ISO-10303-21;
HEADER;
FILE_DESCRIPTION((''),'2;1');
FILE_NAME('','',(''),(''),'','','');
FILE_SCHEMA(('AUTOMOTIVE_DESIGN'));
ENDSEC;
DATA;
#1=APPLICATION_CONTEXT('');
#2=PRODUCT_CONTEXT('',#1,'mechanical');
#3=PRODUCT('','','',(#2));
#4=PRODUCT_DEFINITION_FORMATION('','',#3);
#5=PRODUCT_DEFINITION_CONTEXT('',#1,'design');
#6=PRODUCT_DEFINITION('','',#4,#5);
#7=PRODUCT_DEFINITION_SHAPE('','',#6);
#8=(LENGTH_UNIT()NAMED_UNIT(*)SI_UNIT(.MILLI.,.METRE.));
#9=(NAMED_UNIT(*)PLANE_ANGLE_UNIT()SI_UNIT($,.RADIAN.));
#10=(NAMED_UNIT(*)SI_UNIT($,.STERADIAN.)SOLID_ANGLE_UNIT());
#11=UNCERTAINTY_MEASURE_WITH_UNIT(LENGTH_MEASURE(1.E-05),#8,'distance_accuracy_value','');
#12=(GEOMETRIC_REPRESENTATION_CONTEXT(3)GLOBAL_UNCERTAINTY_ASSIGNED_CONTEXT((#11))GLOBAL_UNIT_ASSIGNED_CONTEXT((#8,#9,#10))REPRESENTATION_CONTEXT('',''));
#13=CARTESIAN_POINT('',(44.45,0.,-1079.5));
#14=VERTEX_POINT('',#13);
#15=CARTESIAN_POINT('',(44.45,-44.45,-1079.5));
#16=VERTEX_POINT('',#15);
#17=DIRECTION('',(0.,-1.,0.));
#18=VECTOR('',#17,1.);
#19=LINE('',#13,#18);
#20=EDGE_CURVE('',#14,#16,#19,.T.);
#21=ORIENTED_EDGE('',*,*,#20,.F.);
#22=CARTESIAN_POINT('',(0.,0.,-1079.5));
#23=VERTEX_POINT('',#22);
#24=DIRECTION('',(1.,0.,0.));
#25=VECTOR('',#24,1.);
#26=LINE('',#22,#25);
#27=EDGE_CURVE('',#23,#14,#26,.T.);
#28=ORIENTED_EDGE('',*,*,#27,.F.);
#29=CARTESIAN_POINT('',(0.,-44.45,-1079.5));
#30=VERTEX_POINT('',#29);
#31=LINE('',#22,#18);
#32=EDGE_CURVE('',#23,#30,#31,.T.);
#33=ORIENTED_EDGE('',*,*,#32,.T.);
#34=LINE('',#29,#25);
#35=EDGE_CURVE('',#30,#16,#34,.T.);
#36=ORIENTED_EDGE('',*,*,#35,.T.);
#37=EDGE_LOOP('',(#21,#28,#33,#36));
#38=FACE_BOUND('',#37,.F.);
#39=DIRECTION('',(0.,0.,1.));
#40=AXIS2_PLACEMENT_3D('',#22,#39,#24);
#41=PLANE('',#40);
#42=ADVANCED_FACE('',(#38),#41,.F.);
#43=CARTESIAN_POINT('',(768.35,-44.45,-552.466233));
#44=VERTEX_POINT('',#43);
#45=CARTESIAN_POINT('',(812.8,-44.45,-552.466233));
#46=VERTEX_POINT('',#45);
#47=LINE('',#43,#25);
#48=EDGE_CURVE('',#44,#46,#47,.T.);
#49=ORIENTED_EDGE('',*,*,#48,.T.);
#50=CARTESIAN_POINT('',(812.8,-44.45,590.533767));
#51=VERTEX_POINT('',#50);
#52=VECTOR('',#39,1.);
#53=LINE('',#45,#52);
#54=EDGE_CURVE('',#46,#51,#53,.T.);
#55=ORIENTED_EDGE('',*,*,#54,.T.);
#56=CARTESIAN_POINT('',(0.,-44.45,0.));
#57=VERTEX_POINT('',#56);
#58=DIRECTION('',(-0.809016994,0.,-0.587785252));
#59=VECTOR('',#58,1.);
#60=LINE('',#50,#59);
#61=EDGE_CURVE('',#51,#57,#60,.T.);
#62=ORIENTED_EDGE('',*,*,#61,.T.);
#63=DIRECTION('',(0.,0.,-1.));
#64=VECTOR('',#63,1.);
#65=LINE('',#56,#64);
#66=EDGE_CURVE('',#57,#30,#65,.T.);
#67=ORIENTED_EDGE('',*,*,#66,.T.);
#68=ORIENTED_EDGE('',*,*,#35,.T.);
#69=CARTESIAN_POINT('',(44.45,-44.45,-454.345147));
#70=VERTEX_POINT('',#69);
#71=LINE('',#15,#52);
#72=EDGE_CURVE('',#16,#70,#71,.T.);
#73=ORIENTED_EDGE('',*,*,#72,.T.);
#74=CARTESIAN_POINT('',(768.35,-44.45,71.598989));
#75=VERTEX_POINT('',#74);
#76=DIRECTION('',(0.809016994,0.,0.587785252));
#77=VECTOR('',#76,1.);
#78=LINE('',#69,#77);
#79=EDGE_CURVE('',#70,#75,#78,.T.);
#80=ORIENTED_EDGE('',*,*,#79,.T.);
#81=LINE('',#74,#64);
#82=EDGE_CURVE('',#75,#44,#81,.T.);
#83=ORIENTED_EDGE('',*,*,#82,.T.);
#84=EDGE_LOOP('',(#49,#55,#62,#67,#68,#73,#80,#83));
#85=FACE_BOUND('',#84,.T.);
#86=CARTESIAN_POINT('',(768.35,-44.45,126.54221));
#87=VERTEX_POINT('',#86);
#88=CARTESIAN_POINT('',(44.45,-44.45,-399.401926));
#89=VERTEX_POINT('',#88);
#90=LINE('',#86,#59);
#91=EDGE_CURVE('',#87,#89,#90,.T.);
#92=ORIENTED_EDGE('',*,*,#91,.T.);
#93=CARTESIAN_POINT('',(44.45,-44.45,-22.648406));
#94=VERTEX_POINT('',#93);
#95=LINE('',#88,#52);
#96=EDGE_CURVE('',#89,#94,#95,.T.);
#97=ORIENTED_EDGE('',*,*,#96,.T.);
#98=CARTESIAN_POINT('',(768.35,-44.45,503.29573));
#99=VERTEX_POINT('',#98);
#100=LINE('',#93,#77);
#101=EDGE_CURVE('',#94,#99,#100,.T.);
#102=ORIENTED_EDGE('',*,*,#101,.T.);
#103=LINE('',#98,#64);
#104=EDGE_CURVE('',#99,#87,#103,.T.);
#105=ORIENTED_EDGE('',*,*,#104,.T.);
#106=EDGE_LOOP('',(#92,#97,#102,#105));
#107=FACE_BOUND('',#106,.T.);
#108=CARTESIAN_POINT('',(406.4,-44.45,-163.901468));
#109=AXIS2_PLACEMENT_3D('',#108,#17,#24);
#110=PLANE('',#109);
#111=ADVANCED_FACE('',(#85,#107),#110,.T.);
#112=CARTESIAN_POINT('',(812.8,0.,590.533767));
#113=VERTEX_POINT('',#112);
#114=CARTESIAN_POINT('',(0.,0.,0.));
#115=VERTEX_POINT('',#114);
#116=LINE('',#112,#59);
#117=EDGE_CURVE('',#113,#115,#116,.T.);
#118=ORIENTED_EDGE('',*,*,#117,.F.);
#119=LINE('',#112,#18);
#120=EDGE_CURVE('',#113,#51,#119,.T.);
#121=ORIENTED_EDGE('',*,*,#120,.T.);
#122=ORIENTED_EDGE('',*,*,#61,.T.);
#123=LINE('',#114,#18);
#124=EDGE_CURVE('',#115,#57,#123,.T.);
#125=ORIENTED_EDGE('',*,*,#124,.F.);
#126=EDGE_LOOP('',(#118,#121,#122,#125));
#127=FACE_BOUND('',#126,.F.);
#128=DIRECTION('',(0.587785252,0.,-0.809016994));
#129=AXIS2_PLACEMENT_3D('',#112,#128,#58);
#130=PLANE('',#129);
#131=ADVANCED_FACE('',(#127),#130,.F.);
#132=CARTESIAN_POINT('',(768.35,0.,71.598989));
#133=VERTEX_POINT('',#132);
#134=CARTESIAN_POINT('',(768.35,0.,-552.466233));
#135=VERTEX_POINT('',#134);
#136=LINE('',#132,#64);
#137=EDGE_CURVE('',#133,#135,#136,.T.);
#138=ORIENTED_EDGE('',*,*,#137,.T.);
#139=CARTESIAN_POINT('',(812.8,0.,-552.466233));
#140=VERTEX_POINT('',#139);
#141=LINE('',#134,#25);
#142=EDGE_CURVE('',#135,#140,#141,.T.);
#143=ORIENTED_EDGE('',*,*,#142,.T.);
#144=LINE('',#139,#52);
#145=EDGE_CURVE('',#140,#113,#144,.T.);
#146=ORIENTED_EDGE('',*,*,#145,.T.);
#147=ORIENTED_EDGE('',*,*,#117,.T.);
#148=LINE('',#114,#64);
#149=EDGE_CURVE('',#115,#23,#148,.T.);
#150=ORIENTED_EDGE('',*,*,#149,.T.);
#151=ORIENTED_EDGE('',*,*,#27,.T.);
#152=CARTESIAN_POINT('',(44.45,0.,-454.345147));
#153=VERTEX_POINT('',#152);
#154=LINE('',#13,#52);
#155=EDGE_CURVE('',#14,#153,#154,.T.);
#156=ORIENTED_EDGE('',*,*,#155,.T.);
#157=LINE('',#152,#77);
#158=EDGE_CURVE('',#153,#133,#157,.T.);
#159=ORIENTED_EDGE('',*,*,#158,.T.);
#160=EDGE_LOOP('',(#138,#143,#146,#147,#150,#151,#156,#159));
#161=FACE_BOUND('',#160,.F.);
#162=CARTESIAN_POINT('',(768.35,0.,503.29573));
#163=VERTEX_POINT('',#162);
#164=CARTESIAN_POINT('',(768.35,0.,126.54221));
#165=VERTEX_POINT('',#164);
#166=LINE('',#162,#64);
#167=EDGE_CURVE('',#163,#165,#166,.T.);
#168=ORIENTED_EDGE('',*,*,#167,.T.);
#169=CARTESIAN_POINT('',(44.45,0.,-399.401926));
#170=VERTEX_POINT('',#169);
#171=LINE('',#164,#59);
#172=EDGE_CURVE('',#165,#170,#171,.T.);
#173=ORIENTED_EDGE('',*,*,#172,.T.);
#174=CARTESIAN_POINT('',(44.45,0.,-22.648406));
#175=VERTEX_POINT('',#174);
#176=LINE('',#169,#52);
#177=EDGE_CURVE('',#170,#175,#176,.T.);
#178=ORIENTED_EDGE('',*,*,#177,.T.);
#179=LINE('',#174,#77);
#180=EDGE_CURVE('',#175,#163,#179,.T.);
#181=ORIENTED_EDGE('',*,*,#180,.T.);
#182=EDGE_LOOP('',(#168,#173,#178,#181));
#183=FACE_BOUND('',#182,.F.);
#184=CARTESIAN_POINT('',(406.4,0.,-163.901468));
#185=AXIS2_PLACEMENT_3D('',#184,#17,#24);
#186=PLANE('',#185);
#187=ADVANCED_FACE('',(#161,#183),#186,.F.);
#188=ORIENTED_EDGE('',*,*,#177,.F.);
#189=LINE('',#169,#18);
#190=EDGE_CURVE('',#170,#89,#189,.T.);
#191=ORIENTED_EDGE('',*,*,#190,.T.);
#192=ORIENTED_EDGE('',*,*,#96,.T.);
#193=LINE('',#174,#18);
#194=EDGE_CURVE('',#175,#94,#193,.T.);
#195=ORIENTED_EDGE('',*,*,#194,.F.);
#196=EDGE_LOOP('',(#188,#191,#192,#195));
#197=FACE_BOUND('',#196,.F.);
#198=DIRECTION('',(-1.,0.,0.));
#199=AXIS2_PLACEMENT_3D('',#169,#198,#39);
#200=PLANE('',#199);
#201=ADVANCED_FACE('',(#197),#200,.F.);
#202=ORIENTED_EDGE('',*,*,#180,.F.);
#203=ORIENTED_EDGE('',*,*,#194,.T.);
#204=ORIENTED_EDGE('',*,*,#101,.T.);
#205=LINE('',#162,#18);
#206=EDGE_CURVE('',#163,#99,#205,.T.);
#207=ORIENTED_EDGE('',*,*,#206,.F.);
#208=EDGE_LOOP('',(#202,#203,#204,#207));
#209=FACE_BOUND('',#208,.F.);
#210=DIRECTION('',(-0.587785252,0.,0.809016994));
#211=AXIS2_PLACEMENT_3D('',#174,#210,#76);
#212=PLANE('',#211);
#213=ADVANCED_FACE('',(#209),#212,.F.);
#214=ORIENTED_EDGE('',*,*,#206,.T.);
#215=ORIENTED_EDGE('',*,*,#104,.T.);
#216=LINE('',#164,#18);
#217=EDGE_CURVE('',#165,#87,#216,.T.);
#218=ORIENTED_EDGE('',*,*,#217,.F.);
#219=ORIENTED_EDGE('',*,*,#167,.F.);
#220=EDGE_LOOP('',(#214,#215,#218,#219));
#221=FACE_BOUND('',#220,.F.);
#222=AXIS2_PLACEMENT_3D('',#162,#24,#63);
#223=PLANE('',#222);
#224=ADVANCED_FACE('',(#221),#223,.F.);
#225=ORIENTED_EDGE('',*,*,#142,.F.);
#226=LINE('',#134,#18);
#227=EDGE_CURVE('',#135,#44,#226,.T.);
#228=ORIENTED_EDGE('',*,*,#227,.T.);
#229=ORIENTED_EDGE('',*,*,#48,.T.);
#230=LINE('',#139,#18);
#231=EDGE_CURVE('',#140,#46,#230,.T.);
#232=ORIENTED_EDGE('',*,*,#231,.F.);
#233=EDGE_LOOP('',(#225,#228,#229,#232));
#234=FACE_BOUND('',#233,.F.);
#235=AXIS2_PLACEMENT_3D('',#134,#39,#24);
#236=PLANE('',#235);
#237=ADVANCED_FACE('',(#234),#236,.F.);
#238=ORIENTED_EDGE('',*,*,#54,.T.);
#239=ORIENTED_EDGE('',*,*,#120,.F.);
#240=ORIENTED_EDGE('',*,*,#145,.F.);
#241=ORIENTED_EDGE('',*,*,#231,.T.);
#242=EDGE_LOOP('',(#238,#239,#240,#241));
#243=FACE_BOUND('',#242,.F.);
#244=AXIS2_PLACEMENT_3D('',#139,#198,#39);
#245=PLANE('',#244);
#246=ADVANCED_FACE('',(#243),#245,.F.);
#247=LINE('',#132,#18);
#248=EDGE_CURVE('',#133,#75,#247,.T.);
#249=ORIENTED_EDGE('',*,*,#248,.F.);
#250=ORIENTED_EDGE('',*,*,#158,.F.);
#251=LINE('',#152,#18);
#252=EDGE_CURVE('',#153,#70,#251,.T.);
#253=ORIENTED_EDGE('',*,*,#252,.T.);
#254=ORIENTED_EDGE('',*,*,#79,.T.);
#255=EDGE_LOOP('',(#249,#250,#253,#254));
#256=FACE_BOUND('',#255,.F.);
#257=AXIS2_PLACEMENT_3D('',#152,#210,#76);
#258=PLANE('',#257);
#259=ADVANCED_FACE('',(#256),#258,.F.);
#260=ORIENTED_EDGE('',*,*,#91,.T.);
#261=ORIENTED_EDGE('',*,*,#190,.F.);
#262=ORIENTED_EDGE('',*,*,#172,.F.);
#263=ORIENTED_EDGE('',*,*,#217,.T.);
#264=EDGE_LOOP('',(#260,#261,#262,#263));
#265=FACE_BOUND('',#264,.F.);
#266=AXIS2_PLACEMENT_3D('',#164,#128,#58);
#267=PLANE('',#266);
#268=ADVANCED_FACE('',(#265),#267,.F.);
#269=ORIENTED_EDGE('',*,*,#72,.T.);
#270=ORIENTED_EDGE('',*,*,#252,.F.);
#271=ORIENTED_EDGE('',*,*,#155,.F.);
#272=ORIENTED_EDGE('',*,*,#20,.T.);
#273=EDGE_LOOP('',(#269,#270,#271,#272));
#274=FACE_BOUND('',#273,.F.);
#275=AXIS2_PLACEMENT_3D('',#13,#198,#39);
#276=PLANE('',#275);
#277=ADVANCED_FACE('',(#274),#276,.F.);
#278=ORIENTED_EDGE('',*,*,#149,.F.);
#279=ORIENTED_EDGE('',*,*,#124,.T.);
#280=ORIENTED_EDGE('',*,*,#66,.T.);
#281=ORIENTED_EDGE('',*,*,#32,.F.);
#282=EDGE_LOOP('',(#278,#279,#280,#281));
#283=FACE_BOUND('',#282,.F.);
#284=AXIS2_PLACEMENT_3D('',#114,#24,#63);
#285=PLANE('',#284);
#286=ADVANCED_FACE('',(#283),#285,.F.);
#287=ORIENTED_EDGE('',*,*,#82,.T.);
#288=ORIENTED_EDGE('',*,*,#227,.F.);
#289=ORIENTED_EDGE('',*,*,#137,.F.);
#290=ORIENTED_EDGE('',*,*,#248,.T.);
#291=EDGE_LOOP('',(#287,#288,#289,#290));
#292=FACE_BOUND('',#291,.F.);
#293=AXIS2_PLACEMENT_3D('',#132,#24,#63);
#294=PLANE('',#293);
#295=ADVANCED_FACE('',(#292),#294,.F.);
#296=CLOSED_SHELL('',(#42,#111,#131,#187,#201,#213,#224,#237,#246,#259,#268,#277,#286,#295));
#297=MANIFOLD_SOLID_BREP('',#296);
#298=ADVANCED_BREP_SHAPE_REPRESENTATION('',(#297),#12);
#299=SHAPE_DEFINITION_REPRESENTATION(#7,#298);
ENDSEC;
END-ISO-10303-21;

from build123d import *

# Parameters (mm, degrees)
F1_DEPTH = 44.45


with BuildPart() as f1:
    # F0 (on Front) → F1 (new body)
    with BuildSketch(Plane.XZ):
        Polygon((44.45, -399.401926), (44.45, -454.345147), (768.35, 71.598989), (768.35, 126.54221), align=None)
        Polygon((812.8, 590.533767), (0, 0), (0, -1079.5), (44.45, -1079.5), (44.45, -454.345147), (44.45, -399.401926), (44.45, -22.648406), (768.35, 503.29573), (768.35, 126.54221), (768.35, 71.598989), (768.35, -552.466233), (812.8, -552.466233), align=None)
    extrude(amount=F1_DEPTH)


solid = f1.part
